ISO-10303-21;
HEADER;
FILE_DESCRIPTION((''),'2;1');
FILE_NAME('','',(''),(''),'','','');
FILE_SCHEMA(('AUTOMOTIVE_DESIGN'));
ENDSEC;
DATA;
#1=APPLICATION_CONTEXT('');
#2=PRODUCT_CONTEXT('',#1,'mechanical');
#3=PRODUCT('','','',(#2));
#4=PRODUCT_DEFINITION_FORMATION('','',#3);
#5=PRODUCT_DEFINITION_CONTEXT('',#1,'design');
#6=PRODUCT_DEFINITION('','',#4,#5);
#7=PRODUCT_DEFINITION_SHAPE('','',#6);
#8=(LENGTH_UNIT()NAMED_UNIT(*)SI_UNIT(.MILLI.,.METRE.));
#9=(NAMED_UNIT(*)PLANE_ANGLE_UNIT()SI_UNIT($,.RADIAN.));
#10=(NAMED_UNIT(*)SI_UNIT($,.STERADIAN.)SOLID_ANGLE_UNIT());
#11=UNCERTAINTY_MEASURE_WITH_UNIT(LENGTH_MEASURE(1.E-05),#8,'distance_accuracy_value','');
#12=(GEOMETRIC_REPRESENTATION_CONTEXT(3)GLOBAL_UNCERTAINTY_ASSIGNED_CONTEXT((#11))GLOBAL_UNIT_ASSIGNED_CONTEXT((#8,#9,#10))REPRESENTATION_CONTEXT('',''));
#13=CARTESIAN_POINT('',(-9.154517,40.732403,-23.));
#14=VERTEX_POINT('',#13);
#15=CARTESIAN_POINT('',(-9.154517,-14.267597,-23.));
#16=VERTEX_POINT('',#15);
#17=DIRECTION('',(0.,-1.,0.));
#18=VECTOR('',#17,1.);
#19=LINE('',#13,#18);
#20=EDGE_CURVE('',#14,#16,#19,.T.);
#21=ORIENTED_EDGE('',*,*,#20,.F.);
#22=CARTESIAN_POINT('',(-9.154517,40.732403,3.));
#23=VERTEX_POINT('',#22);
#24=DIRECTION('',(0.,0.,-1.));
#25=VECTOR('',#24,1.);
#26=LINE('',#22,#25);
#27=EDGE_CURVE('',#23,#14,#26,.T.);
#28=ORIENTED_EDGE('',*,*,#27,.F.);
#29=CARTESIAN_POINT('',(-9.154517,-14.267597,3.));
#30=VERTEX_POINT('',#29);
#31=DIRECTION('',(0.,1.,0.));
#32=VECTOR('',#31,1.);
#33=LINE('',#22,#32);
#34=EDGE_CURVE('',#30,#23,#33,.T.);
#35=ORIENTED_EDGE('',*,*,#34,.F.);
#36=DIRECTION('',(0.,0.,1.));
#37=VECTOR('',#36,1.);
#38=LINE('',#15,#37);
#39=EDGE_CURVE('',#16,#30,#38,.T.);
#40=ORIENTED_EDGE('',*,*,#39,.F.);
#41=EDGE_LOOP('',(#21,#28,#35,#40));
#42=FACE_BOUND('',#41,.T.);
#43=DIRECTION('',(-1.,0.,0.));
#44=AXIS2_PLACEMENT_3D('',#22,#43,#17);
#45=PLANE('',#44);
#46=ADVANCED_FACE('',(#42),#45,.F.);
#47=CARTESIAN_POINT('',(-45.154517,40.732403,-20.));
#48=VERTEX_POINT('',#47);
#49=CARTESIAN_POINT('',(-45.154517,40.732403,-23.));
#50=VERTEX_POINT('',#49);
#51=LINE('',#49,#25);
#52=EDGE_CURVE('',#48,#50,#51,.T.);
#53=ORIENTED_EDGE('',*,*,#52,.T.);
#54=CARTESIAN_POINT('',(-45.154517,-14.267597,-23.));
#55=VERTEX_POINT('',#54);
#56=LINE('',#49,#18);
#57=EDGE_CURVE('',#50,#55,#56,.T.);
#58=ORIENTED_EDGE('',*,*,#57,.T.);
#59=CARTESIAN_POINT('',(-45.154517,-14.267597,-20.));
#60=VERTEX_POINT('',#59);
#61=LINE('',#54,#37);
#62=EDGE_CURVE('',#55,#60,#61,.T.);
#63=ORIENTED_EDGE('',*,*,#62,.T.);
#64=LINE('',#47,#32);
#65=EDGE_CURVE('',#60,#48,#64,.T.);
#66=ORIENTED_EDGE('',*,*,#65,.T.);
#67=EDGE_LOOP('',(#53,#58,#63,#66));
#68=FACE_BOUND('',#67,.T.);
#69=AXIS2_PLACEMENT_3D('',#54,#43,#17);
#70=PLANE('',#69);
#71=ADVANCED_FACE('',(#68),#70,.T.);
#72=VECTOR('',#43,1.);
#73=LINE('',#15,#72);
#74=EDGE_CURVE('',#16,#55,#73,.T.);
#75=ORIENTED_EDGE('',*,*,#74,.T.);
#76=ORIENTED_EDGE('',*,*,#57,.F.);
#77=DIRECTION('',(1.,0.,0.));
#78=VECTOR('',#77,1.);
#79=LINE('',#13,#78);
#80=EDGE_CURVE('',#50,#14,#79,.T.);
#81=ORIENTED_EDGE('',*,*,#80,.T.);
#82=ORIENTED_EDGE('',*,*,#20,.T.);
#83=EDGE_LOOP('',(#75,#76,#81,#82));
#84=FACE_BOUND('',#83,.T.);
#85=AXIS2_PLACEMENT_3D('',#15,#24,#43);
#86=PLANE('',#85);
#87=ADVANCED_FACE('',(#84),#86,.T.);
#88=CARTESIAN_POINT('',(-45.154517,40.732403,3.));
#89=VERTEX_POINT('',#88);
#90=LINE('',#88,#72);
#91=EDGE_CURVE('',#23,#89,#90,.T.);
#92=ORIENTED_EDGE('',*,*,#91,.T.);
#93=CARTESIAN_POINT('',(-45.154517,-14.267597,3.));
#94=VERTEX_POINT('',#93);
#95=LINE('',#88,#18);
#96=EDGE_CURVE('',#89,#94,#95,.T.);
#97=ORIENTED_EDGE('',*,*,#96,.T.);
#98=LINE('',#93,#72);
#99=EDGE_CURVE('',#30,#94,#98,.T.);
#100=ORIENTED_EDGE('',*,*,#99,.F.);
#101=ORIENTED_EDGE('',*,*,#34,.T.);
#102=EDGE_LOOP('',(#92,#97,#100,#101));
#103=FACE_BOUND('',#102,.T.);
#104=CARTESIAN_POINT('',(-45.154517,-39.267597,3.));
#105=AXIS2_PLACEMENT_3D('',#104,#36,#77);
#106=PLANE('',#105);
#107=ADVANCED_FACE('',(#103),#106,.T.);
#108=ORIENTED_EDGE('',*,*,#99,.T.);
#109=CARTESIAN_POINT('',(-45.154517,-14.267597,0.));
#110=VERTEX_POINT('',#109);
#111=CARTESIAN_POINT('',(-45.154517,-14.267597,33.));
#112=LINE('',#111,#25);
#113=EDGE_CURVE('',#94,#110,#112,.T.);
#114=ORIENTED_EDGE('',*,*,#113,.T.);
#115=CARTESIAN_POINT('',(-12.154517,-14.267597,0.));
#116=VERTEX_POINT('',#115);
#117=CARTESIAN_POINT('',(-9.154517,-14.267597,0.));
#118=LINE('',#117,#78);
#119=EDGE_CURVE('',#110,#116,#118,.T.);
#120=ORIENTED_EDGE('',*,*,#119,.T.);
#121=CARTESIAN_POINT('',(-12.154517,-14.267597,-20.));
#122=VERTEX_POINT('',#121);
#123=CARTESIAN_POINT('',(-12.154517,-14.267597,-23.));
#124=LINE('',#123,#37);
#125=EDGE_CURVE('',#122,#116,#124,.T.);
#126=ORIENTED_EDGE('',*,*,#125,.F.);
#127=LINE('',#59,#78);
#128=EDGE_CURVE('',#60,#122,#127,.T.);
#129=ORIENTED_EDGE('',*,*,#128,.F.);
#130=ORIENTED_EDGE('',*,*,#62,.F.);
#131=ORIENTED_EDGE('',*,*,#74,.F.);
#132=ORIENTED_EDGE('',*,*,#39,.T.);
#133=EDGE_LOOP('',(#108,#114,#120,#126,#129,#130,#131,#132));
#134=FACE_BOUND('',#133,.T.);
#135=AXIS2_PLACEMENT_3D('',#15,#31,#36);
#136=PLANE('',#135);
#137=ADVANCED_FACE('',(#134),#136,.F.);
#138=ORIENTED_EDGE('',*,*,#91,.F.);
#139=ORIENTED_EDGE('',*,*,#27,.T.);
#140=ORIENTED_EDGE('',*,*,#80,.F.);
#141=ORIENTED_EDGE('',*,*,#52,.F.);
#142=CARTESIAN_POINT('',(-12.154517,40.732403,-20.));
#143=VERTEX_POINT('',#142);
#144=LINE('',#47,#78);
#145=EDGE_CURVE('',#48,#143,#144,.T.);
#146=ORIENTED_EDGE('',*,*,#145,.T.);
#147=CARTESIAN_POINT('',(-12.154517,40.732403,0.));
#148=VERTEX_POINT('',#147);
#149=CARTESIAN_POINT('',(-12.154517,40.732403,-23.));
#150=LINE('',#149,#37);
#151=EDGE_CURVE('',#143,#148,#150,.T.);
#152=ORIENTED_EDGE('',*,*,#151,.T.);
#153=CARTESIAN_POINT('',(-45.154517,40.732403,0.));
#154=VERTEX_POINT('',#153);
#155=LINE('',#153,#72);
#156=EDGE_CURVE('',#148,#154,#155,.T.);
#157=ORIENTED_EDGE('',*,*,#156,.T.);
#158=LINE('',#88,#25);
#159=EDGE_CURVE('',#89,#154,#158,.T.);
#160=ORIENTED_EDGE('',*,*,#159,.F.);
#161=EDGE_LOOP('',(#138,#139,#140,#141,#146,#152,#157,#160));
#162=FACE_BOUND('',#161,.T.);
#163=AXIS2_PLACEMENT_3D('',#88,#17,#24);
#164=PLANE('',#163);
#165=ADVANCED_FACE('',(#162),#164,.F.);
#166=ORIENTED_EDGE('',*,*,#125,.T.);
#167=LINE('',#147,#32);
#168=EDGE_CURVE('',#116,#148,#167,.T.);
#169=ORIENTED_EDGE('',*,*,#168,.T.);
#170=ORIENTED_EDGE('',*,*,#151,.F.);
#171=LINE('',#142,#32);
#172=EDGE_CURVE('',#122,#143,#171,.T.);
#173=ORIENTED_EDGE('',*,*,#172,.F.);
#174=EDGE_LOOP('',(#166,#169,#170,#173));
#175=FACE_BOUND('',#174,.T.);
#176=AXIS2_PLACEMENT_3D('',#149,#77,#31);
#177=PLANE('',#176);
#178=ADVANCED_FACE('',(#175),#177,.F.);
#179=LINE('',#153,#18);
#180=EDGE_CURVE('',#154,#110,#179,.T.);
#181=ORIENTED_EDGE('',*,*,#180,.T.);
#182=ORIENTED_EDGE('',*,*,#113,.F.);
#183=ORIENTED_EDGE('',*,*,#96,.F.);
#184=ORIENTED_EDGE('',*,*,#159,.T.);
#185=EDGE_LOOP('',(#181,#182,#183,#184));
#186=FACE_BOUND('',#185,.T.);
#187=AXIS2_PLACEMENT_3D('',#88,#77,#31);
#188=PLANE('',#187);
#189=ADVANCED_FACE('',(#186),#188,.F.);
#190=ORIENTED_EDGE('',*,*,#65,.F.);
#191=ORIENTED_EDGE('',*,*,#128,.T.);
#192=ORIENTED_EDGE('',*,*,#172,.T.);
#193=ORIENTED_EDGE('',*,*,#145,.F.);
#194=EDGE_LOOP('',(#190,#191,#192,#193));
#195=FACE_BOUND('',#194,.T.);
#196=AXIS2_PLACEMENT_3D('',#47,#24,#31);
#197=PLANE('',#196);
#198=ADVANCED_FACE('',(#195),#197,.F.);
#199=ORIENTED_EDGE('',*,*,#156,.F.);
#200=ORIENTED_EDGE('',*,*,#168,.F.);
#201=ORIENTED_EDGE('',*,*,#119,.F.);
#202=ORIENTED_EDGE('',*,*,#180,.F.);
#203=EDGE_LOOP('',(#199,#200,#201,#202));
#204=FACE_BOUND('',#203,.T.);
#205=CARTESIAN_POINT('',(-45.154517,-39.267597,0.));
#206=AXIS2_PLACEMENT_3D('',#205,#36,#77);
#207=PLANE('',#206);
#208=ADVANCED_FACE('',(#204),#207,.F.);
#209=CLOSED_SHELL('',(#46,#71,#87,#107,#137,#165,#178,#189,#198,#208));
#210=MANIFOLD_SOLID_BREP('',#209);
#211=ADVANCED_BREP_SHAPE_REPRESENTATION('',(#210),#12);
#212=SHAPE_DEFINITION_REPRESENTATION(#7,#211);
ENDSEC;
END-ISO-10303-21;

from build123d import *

# Parameters (mm, degrees)
ESQUISSE1_W             = 36
ESQUISSE1_H             = 80
BOSS_EXTRU_1_DEPTH      = 3
ESQUISSE2_W             = 3
ESQUISSE2_H             = 55
BOSS_EXTRU_2_DEPTH      = 23
ESQUISSE3_W             = 3
ESQUISSE3_H             = 55
BOSS_EXTRU_3_DEPTH      = 33
ESQUISSE4_W             = 36
ESQUISSE4_H             = 25
ENL_V_MAT_EXTRU_1_DEPTH = 33


with BuildPart() as part:
    # Esquisse1 → Boss.-Extru.1 (new body)
    with BuildSketch(Plane.XY):
        with Locations((-27.15451692, 0.732402707)):
            Rectangle(ESQUISSE1_W, ESQUISSE1_H)
    extrude(amount=BOSS_EXTRU_1_DEPTH)

    # Esquisse2 → Boss.-Extru.2 (add)
    with BuildSketch(Plane(origin=(0, 0, 0), x_dir=(-1, 0, 0), z_dir=(0, 0, -1))):
        with Locations((10.65451692, 13.232402707)):
            Rectangle(ESQUISSE2_W, ESQUISSE2_H)
    extrude(amount=BOSS_EXTRU_2_DEPTH)

    # Esquisse3 → Boss.-Extru.3 (add)
    with BuildSketch(Plane.ZY.offset(12.15451692)):
        with Locations((-21.5, 13.232402707)):
            Rectangle(ESQUISSE3_W, ESQUISSE3_H)
    extrude(amount=BOSS_EXTRU_3_DEPTH)

    # Esquisse4 → Enlèv. mat.-Extru.1 (cut)
    with BuildSketch(Plane(origin=(0, 0, 0), x_dir=(-1, 0, 0), z_dir=(0, 0, -1))):
        with Locations((27.15451692, -26.767597293)):
            Rectangle(ESQUISSE4_W, ESQUISSE4_H)
    extrude(amount=-ENL_V_MAT_EXTRU_1_DEPTH, mode=Mode.SUBTRACT)


solid = part.part
